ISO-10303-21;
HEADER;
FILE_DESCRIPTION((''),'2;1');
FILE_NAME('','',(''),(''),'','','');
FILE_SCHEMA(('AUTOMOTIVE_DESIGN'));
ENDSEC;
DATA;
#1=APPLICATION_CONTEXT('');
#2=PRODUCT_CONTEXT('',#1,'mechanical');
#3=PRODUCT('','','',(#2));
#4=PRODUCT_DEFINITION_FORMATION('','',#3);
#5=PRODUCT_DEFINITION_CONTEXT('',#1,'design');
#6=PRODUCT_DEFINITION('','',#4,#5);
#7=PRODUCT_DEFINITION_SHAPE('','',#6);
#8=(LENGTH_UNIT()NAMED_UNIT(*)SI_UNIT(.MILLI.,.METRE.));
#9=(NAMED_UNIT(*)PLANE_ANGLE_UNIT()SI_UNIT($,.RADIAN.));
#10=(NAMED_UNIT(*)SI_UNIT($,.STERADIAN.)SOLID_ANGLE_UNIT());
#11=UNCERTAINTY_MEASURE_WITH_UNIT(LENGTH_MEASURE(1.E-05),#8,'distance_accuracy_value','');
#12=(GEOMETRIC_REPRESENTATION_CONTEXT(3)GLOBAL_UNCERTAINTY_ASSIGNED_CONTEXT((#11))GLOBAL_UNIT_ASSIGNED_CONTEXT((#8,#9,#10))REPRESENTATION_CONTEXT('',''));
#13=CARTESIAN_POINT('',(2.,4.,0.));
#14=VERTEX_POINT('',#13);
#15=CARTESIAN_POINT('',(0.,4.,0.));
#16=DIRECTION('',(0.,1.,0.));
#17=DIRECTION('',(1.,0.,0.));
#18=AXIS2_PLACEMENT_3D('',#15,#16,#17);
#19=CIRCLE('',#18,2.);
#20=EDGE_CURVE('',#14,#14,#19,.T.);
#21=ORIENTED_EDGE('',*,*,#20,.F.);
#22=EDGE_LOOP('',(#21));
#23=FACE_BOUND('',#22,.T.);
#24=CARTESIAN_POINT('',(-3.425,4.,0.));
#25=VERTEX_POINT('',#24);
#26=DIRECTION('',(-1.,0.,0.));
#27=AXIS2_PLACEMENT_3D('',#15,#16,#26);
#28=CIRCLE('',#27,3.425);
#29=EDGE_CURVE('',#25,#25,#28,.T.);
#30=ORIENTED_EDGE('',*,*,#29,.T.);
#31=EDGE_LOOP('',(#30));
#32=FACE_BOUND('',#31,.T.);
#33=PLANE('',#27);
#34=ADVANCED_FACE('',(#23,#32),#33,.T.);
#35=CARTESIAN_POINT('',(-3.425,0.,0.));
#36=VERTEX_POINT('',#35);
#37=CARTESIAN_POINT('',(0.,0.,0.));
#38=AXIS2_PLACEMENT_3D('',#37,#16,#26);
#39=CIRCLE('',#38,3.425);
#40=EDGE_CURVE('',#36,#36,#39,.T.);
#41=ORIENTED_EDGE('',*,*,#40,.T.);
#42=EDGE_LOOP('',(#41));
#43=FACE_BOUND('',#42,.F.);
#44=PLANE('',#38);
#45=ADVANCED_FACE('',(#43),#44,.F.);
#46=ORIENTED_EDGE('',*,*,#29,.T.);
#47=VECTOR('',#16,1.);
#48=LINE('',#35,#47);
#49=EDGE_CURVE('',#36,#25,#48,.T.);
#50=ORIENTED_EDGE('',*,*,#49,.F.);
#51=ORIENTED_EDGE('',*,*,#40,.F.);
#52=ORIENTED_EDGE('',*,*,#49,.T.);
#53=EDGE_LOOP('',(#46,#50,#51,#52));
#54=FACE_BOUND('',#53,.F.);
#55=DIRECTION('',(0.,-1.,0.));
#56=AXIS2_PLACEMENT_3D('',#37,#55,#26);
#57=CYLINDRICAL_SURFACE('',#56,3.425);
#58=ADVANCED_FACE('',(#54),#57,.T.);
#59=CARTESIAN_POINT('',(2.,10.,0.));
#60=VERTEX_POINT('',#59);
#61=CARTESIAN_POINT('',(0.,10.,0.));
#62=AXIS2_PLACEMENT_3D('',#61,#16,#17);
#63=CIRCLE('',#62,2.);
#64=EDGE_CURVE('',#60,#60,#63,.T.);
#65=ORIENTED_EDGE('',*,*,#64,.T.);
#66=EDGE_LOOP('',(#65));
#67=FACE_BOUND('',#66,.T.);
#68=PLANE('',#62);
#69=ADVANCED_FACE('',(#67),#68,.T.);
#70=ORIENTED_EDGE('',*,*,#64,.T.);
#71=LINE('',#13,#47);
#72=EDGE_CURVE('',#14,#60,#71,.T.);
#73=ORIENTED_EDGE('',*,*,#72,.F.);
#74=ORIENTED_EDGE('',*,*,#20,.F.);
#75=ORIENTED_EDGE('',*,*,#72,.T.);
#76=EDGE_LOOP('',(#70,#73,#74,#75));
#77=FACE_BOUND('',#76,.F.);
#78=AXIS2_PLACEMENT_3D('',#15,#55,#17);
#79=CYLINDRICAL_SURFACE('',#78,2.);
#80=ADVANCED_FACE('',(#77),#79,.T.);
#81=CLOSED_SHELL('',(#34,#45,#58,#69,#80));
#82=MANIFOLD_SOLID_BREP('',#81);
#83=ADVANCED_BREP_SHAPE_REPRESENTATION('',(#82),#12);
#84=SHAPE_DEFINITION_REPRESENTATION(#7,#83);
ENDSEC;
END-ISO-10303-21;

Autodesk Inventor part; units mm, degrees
ref_plane "YZ Plane" through (0, 0, 0) normal (1, 0, 0) x (0, 1, 0)
ref_plane "XZ Plane" through (0, 0, 0) normal (0, 1, 0) x (-1, 0, 0)
ref_plane "XY Plane" through (0, 0, 0) normal (0, 0, 1) x (1, 0, 0)
sketch "Sketch1" plane through (0, 0, 0) normal (0, 1, 0) x (-1, 0, 0)
  circle A0 centre (0, 0) radius 3.425
  dimension "d0" = 6.85
extrude "Extrusion1" add sketch "Sketch1" along normal blind 4
sketch "Sketch2" plane through (0, 4, 0) normal (0, 1, 0) x (1, 0, 0)
  circle A0 centre (0, 0) radius 2
  dimension "d3" = 4
extrude "Extrusion2" add sketch "Sketch2" along normal blind 6
properties part number "M4CapScrew6mm"
